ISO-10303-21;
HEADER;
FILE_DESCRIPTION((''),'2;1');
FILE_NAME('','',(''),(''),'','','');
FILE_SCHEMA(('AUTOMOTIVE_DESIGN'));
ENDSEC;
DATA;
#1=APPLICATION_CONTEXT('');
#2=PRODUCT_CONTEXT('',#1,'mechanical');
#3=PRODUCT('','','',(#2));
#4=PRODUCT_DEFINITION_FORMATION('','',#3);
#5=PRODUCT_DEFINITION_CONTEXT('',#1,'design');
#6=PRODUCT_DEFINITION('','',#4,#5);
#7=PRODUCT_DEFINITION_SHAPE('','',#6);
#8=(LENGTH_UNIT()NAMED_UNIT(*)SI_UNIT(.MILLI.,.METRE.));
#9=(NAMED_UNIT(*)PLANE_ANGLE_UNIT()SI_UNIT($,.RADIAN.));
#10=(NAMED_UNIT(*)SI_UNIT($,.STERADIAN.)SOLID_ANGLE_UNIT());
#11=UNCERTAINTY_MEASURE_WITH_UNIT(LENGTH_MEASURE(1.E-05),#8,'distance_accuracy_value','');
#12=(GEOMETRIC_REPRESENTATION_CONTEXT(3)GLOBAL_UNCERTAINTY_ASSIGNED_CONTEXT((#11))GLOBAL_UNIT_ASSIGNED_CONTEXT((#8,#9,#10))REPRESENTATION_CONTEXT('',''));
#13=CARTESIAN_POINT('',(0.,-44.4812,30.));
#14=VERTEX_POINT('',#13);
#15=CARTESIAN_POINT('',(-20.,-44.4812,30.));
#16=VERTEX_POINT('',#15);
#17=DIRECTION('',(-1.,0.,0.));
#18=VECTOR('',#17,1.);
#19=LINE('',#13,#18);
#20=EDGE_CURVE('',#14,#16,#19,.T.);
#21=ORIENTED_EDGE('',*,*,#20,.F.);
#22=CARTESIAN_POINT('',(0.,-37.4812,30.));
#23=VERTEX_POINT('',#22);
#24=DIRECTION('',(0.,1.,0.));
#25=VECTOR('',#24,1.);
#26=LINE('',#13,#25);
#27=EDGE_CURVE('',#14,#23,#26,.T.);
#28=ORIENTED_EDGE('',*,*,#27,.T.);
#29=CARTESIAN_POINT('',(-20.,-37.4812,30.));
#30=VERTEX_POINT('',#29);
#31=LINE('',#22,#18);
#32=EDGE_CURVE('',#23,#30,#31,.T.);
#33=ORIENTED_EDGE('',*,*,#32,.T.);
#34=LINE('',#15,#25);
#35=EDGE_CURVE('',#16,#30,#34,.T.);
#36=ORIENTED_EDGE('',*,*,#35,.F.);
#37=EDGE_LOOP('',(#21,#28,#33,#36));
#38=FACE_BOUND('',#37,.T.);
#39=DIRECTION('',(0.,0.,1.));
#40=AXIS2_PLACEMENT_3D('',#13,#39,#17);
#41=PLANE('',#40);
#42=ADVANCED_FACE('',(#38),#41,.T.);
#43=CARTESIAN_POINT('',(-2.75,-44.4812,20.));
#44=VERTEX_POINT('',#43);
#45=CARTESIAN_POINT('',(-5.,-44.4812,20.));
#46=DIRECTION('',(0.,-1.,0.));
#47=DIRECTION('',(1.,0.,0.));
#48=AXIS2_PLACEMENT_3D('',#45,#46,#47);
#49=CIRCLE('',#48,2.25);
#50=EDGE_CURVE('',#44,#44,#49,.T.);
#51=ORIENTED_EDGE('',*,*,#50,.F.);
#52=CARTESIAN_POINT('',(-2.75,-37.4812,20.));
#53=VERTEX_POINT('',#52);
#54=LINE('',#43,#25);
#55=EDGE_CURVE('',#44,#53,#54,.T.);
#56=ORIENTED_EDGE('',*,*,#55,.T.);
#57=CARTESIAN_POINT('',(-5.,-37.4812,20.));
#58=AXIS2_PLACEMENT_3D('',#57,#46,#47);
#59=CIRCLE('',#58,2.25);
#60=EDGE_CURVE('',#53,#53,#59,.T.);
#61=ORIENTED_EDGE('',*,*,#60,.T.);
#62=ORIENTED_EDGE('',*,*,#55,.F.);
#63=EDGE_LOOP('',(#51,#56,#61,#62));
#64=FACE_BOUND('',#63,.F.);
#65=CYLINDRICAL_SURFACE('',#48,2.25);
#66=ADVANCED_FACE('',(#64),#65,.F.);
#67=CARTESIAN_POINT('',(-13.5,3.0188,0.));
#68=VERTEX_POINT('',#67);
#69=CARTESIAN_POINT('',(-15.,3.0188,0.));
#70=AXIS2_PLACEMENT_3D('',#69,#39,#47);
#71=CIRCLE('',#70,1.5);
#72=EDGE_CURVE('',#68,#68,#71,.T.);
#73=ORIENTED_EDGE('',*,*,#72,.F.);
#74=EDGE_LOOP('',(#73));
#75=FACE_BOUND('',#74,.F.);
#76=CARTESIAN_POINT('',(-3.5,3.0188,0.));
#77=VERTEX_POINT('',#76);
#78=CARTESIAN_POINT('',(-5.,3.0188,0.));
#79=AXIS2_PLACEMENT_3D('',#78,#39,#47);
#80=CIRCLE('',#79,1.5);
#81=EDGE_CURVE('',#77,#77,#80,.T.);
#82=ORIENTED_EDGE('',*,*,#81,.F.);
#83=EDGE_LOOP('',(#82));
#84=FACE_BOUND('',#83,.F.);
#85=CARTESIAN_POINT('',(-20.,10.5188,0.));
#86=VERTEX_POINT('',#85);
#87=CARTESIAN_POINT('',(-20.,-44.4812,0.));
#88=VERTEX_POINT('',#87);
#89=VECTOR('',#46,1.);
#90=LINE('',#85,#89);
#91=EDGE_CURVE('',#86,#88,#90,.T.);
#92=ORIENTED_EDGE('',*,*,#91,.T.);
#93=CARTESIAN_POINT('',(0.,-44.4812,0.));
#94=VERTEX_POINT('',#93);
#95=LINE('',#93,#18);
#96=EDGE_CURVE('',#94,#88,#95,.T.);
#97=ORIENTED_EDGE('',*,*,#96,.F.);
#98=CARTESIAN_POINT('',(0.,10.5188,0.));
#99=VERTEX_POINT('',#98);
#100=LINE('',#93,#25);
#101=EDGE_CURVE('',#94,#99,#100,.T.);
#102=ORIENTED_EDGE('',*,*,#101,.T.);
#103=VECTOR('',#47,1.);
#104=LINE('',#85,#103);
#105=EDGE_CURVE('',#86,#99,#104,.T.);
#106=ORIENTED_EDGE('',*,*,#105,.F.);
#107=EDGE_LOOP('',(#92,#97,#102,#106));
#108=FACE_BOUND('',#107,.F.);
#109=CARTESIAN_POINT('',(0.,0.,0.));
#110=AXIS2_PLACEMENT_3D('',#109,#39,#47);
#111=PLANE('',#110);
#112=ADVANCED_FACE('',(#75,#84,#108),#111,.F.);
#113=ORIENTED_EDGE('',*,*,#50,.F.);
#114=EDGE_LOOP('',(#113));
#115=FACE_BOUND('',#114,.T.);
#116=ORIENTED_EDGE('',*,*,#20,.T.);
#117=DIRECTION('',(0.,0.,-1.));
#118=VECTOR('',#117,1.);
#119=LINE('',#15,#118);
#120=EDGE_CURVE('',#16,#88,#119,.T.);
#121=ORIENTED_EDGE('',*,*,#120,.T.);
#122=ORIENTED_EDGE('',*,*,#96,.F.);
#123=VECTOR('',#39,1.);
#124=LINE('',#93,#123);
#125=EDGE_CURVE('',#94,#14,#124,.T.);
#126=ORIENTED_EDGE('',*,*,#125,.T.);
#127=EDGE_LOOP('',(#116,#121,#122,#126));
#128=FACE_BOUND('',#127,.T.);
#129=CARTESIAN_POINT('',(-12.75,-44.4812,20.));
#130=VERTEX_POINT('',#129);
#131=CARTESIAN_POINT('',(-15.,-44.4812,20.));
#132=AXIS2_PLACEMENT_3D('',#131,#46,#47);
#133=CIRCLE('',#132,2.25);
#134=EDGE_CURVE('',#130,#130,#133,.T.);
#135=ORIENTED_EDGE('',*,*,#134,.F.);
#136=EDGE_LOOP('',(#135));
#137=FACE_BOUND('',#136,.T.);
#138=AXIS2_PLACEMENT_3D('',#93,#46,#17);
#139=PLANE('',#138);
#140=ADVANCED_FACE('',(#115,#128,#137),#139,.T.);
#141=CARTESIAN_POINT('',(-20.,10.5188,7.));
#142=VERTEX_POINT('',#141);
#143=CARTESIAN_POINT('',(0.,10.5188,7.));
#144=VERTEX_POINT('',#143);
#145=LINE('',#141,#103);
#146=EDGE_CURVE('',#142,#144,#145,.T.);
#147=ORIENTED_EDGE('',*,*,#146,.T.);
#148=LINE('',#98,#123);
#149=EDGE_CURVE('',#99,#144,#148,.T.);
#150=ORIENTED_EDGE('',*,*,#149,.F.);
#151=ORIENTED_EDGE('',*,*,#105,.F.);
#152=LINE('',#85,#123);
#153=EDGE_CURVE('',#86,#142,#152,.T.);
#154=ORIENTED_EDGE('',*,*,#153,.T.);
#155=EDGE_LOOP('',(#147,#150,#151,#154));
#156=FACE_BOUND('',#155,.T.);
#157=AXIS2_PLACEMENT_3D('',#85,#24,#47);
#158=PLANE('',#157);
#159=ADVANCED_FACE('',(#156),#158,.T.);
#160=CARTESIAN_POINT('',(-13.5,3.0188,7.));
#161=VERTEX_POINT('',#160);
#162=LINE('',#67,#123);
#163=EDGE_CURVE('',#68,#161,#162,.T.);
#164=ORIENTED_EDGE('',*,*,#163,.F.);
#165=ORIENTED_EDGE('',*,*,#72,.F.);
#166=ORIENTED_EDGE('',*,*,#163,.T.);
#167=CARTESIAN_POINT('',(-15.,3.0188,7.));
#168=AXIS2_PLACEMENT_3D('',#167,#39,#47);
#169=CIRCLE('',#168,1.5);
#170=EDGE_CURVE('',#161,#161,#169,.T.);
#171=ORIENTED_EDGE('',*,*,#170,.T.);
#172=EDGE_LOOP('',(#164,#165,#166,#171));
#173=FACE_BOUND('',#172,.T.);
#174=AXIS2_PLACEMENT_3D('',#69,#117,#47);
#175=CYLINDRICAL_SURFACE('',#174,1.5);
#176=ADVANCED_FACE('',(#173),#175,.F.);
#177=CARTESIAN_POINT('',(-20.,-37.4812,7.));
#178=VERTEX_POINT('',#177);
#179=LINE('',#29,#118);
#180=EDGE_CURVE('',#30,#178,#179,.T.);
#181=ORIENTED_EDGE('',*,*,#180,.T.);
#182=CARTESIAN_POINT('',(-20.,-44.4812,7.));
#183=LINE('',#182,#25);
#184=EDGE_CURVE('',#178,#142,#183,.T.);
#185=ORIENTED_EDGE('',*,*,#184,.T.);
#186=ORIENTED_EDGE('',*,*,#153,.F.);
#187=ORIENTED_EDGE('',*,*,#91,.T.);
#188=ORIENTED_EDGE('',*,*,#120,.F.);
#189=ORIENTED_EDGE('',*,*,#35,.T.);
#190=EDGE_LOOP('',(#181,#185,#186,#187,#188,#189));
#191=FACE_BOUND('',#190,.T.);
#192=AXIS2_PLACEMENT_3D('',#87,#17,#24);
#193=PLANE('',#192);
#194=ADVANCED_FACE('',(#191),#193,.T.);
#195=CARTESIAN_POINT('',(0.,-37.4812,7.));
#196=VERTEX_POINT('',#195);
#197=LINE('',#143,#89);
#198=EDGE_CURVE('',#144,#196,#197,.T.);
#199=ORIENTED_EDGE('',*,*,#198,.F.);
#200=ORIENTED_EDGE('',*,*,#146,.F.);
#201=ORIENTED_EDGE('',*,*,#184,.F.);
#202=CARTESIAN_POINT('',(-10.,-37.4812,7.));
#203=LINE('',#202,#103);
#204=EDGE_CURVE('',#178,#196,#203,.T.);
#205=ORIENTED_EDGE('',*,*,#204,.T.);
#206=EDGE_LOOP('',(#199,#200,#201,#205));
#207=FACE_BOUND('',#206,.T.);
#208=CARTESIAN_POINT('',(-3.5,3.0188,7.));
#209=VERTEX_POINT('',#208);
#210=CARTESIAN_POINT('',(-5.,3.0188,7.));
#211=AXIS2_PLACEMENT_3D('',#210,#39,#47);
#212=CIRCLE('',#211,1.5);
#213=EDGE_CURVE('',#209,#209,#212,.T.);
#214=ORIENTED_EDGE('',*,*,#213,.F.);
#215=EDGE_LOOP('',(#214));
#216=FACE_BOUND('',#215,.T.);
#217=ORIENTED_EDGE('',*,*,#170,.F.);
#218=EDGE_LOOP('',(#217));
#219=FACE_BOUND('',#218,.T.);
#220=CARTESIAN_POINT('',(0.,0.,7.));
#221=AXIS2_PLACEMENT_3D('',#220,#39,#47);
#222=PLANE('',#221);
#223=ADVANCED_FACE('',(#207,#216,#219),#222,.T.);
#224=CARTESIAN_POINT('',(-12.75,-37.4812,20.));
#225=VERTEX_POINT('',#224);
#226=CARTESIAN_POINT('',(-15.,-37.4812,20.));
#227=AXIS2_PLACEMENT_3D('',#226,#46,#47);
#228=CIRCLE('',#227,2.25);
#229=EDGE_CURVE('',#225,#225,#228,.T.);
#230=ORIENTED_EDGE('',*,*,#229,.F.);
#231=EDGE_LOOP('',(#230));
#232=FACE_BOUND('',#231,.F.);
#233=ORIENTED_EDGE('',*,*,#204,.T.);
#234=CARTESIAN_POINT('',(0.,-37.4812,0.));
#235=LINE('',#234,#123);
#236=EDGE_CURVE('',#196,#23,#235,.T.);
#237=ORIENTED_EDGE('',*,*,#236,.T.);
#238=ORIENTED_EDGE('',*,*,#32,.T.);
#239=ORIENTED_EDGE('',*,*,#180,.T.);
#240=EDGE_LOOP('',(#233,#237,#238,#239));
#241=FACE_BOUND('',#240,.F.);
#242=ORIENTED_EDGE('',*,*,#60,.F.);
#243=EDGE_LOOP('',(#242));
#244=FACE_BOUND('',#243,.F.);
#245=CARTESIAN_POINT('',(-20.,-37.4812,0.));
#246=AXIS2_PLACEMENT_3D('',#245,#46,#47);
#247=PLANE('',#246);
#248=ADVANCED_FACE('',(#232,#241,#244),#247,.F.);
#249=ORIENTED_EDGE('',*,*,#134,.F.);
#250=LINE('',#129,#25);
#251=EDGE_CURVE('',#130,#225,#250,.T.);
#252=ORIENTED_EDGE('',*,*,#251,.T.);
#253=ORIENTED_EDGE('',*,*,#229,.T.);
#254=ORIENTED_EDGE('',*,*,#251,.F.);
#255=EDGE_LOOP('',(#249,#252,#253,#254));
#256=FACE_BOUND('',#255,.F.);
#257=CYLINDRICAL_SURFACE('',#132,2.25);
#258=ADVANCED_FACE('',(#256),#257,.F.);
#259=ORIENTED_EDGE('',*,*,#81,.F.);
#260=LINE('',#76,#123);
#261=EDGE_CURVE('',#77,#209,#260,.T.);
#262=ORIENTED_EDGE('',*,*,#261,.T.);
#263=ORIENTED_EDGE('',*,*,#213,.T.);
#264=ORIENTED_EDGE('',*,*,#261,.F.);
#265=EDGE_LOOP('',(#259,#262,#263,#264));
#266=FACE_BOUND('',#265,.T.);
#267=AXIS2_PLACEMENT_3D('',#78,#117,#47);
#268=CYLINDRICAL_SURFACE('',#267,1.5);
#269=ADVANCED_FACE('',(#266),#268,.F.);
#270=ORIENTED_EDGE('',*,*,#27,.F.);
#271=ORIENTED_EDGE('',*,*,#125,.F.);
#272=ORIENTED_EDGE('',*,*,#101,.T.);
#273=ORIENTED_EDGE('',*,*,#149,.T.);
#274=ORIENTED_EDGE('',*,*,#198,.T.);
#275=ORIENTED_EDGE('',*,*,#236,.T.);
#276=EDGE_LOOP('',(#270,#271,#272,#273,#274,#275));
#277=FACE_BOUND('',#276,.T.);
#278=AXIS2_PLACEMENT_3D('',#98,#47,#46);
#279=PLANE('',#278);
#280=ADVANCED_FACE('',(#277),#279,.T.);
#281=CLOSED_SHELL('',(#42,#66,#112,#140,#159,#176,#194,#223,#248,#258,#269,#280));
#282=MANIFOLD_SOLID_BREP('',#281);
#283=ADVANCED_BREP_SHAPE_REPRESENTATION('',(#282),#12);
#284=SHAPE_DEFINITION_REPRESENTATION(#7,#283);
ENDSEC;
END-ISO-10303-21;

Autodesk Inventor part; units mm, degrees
ref_plane "YZ Plane" through (0, 0, 0) normal (1, 0, 0) x (0, 1, 0)
ref_plane "XZ Plane" through (0, 0, 0) normal (0, 1, 0) x (-1, 0, 0)
ref_plane "XY Plane" through (0, 0, 0) normal (0, 0, 1) x (1, 0, 0)
sketch "Sketch1" plane through (0, 0, 0) normal (0, 0, 1) x (1, 0, 0)
  circle A0 centre (-5, 3.0188) radius 1.5
  circle A1 centre (-15, 3.0188) radius 1.5
  line L0 (0, -44.4812) -> (-20, -44.4812)
  line L1 (-20, -44.4812) -> (-20, 10.5188)
  line L2 (-20, 10.5188) -> (0, 10.5188)
  line L3 (0, 10.5188) -> (0, -44.4812)
  dimension "d0" = 3
  dimension "d1" = 3
  dimension "d2" = 10
  dimension "d3" = 20
  dimension "d4" = 7.5
  dimension "d5" = 7.5
  dimension "d6" = 5
  dimension "d7" = 55
extrude "Extrusion1" add sketch "Sketch1" along normal blind 7
sketch "Sketch2" plane through (-20, -44.4812, 0) normal (0, -1, 0) x (1, 0, 0)
  line L0 (0, 0) -> (0, 7) projected
  line L1 (0, 0) -> (20, 0)
  line L2 (20, 0) -> (20, 30)
  line L3 (20, 30) -> (0, 30)
  line L4 (0, 30) -> (0, 0)
  circle A0 centre (15, 20) radius 2.25
  circle A1 centre (5, 20) radius 2.25
  point P0 (20, 0)
  point P1 (0, 7)
  dimension "d10" = 30
  dimension "d11" = 4.5
  dimension "d12" = 4.5
  dimension "d13" = 10
  dimension "d14" = 5
  dimension "d15" = 10
extrude "Extrusion2" add sketch "Sketch2" against normal blind 7
equation "\"d5\" = d4"
equation "\"d12\" = d11"
properties part number "EndSwitchBracket"
